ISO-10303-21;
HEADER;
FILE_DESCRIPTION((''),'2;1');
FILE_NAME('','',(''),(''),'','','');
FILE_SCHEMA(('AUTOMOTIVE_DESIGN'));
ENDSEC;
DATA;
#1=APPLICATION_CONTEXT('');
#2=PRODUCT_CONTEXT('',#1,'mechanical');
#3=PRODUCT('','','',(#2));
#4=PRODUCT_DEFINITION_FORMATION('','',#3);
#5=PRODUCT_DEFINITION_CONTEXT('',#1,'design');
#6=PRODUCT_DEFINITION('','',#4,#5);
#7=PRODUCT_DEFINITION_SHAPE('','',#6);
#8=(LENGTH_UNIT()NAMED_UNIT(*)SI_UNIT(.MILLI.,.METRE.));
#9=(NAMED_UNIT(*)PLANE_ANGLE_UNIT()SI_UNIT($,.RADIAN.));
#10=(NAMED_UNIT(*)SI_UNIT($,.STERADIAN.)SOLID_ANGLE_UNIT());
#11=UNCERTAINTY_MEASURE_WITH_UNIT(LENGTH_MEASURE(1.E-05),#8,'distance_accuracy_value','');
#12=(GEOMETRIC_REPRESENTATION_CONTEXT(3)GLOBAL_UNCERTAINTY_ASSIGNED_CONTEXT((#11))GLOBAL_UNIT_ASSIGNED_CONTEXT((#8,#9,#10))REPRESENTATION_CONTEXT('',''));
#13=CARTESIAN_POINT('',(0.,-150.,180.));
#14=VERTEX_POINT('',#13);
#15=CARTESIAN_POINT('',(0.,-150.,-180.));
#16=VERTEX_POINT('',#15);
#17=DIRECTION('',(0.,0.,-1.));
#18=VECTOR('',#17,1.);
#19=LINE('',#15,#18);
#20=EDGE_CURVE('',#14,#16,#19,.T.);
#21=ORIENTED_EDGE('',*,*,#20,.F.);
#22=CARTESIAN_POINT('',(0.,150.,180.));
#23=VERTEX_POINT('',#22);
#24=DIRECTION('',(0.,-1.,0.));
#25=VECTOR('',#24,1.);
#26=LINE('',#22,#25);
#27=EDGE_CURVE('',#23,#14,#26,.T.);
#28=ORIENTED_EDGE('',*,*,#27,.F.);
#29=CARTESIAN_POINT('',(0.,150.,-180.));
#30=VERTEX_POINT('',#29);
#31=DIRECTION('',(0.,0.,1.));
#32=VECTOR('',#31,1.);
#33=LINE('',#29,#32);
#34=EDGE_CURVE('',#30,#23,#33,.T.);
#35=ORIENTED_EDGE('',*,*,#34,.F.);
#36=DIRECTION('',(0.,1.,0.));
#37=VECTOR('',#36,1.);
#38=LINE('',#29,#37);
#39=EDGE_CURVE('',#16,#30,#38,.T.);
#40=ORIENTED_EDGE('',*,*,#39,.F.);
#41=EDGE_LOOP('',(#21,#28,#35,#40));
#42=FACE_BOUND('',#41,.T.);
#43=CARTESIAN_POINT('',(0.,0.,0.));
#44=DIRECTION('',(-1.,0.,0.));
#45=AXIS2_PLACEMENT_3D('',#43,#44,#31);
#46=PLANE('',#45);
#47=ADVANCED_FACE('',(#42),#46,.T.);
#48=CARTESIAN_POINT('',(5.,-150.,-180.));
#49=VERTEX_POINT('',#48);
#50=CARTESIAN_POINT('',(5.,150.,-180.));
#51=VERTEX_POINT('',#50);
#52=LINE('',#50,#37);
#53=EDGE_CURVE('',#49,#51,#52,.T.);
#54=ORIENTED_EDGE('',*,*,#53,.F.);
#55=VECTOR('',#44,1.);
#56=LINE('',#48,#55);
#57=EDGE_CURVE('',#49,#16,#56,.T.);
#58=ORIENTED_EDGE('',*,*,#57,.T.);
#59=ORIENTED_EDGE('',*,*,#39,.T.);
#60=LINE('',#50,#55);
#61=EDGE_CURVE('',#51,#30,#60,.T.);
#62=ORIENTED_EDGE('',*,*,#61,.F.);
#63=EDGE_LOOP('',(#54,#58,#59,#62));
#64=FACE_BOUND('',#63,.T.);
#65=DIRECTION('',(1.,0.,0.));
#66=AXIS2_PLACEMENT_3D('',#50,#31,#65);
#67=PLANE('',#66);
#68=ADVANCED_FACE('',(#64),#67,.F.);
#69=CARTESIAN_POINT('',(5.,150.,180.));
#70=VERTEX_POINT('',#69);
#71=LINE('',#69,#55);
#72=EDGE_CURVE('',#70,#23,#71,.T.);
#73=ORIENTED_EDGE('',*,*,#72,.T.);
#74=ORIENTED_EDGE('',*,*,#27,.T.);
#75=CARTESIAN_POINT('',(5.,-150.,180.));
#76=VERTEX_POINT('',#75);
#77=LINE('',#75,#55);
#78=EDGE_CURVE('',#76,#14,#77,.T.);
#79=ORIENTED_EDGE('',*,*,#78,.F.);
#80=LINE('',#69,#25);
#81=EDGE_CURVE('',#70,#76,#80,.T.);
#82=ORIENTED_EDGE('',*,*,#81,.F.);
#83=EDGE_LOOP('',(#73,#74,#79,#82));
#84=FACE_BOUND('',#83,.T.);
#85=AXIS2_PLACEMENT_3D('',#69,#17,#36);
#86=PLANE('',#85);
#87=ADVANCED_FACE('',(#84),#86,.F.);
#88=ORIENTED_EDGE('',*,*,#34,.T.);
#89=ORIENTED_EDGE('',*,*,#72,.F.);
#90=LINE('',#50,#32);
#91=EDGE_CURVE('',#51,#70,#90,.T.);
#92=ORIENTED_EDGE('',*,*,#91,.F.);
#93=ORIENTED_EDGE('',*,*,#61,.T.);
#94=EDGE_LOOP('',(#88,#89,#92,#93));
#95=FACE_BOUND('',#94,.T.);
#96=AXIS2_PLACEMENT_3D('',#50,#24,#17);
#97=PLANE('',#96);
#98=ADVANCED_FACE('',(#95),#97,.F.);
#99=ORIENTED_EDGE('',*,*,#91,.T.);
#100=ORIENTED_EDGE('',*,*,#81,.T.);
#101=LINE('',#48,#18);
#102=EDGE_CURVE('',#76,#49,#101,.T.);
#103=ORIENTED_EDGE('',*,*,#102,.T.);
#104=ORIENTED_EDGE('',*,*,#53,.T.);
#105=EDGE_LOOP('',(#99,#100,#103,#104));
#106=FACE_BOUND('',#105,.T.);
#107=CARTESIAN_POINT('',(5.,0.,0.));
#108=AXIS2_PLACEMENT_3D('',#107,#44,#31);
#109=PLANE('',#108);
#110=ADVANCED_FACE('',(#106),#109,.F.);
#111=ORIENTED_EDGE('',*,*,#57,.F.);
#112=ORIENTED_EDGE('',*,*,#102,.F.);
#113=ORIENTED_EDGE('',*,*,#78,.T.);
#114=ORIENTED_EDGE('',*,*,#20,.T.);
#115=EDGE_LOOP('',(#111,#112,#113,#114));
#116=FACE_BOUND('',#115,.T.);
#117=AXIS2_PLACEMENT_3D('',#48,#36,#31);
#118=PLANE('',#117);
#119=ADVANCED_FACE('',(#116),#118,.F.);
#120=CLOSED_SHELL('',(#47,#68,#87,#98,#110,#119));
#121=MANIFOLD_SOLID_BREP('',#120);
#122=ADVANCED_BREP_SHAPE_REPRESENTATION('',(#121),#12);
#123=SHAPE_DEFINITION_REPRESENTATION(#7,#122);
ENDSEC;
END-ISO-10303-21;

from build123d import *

# Parameters (mm, degrees)
ESBO_O1_W                = 360
ESBO_O1_H                = 300
RESSALTO_EXTRUS_O1_DEPTH = 5


with BuildPart() as part:
    # Esboço1 → Ressalto-extrusão1 (new body)
    with BuildSketch(Plane(origin=(0, 0, 0), x_dir=(0, 0, -1), z_dir=(1, 0, 0))):
        Rectangle(ESBO_O1_W, ESBO_O1_H)
    extrude(amount=RESSALTO_EXTRUS_O1_DEPTH)


solid = part.part
